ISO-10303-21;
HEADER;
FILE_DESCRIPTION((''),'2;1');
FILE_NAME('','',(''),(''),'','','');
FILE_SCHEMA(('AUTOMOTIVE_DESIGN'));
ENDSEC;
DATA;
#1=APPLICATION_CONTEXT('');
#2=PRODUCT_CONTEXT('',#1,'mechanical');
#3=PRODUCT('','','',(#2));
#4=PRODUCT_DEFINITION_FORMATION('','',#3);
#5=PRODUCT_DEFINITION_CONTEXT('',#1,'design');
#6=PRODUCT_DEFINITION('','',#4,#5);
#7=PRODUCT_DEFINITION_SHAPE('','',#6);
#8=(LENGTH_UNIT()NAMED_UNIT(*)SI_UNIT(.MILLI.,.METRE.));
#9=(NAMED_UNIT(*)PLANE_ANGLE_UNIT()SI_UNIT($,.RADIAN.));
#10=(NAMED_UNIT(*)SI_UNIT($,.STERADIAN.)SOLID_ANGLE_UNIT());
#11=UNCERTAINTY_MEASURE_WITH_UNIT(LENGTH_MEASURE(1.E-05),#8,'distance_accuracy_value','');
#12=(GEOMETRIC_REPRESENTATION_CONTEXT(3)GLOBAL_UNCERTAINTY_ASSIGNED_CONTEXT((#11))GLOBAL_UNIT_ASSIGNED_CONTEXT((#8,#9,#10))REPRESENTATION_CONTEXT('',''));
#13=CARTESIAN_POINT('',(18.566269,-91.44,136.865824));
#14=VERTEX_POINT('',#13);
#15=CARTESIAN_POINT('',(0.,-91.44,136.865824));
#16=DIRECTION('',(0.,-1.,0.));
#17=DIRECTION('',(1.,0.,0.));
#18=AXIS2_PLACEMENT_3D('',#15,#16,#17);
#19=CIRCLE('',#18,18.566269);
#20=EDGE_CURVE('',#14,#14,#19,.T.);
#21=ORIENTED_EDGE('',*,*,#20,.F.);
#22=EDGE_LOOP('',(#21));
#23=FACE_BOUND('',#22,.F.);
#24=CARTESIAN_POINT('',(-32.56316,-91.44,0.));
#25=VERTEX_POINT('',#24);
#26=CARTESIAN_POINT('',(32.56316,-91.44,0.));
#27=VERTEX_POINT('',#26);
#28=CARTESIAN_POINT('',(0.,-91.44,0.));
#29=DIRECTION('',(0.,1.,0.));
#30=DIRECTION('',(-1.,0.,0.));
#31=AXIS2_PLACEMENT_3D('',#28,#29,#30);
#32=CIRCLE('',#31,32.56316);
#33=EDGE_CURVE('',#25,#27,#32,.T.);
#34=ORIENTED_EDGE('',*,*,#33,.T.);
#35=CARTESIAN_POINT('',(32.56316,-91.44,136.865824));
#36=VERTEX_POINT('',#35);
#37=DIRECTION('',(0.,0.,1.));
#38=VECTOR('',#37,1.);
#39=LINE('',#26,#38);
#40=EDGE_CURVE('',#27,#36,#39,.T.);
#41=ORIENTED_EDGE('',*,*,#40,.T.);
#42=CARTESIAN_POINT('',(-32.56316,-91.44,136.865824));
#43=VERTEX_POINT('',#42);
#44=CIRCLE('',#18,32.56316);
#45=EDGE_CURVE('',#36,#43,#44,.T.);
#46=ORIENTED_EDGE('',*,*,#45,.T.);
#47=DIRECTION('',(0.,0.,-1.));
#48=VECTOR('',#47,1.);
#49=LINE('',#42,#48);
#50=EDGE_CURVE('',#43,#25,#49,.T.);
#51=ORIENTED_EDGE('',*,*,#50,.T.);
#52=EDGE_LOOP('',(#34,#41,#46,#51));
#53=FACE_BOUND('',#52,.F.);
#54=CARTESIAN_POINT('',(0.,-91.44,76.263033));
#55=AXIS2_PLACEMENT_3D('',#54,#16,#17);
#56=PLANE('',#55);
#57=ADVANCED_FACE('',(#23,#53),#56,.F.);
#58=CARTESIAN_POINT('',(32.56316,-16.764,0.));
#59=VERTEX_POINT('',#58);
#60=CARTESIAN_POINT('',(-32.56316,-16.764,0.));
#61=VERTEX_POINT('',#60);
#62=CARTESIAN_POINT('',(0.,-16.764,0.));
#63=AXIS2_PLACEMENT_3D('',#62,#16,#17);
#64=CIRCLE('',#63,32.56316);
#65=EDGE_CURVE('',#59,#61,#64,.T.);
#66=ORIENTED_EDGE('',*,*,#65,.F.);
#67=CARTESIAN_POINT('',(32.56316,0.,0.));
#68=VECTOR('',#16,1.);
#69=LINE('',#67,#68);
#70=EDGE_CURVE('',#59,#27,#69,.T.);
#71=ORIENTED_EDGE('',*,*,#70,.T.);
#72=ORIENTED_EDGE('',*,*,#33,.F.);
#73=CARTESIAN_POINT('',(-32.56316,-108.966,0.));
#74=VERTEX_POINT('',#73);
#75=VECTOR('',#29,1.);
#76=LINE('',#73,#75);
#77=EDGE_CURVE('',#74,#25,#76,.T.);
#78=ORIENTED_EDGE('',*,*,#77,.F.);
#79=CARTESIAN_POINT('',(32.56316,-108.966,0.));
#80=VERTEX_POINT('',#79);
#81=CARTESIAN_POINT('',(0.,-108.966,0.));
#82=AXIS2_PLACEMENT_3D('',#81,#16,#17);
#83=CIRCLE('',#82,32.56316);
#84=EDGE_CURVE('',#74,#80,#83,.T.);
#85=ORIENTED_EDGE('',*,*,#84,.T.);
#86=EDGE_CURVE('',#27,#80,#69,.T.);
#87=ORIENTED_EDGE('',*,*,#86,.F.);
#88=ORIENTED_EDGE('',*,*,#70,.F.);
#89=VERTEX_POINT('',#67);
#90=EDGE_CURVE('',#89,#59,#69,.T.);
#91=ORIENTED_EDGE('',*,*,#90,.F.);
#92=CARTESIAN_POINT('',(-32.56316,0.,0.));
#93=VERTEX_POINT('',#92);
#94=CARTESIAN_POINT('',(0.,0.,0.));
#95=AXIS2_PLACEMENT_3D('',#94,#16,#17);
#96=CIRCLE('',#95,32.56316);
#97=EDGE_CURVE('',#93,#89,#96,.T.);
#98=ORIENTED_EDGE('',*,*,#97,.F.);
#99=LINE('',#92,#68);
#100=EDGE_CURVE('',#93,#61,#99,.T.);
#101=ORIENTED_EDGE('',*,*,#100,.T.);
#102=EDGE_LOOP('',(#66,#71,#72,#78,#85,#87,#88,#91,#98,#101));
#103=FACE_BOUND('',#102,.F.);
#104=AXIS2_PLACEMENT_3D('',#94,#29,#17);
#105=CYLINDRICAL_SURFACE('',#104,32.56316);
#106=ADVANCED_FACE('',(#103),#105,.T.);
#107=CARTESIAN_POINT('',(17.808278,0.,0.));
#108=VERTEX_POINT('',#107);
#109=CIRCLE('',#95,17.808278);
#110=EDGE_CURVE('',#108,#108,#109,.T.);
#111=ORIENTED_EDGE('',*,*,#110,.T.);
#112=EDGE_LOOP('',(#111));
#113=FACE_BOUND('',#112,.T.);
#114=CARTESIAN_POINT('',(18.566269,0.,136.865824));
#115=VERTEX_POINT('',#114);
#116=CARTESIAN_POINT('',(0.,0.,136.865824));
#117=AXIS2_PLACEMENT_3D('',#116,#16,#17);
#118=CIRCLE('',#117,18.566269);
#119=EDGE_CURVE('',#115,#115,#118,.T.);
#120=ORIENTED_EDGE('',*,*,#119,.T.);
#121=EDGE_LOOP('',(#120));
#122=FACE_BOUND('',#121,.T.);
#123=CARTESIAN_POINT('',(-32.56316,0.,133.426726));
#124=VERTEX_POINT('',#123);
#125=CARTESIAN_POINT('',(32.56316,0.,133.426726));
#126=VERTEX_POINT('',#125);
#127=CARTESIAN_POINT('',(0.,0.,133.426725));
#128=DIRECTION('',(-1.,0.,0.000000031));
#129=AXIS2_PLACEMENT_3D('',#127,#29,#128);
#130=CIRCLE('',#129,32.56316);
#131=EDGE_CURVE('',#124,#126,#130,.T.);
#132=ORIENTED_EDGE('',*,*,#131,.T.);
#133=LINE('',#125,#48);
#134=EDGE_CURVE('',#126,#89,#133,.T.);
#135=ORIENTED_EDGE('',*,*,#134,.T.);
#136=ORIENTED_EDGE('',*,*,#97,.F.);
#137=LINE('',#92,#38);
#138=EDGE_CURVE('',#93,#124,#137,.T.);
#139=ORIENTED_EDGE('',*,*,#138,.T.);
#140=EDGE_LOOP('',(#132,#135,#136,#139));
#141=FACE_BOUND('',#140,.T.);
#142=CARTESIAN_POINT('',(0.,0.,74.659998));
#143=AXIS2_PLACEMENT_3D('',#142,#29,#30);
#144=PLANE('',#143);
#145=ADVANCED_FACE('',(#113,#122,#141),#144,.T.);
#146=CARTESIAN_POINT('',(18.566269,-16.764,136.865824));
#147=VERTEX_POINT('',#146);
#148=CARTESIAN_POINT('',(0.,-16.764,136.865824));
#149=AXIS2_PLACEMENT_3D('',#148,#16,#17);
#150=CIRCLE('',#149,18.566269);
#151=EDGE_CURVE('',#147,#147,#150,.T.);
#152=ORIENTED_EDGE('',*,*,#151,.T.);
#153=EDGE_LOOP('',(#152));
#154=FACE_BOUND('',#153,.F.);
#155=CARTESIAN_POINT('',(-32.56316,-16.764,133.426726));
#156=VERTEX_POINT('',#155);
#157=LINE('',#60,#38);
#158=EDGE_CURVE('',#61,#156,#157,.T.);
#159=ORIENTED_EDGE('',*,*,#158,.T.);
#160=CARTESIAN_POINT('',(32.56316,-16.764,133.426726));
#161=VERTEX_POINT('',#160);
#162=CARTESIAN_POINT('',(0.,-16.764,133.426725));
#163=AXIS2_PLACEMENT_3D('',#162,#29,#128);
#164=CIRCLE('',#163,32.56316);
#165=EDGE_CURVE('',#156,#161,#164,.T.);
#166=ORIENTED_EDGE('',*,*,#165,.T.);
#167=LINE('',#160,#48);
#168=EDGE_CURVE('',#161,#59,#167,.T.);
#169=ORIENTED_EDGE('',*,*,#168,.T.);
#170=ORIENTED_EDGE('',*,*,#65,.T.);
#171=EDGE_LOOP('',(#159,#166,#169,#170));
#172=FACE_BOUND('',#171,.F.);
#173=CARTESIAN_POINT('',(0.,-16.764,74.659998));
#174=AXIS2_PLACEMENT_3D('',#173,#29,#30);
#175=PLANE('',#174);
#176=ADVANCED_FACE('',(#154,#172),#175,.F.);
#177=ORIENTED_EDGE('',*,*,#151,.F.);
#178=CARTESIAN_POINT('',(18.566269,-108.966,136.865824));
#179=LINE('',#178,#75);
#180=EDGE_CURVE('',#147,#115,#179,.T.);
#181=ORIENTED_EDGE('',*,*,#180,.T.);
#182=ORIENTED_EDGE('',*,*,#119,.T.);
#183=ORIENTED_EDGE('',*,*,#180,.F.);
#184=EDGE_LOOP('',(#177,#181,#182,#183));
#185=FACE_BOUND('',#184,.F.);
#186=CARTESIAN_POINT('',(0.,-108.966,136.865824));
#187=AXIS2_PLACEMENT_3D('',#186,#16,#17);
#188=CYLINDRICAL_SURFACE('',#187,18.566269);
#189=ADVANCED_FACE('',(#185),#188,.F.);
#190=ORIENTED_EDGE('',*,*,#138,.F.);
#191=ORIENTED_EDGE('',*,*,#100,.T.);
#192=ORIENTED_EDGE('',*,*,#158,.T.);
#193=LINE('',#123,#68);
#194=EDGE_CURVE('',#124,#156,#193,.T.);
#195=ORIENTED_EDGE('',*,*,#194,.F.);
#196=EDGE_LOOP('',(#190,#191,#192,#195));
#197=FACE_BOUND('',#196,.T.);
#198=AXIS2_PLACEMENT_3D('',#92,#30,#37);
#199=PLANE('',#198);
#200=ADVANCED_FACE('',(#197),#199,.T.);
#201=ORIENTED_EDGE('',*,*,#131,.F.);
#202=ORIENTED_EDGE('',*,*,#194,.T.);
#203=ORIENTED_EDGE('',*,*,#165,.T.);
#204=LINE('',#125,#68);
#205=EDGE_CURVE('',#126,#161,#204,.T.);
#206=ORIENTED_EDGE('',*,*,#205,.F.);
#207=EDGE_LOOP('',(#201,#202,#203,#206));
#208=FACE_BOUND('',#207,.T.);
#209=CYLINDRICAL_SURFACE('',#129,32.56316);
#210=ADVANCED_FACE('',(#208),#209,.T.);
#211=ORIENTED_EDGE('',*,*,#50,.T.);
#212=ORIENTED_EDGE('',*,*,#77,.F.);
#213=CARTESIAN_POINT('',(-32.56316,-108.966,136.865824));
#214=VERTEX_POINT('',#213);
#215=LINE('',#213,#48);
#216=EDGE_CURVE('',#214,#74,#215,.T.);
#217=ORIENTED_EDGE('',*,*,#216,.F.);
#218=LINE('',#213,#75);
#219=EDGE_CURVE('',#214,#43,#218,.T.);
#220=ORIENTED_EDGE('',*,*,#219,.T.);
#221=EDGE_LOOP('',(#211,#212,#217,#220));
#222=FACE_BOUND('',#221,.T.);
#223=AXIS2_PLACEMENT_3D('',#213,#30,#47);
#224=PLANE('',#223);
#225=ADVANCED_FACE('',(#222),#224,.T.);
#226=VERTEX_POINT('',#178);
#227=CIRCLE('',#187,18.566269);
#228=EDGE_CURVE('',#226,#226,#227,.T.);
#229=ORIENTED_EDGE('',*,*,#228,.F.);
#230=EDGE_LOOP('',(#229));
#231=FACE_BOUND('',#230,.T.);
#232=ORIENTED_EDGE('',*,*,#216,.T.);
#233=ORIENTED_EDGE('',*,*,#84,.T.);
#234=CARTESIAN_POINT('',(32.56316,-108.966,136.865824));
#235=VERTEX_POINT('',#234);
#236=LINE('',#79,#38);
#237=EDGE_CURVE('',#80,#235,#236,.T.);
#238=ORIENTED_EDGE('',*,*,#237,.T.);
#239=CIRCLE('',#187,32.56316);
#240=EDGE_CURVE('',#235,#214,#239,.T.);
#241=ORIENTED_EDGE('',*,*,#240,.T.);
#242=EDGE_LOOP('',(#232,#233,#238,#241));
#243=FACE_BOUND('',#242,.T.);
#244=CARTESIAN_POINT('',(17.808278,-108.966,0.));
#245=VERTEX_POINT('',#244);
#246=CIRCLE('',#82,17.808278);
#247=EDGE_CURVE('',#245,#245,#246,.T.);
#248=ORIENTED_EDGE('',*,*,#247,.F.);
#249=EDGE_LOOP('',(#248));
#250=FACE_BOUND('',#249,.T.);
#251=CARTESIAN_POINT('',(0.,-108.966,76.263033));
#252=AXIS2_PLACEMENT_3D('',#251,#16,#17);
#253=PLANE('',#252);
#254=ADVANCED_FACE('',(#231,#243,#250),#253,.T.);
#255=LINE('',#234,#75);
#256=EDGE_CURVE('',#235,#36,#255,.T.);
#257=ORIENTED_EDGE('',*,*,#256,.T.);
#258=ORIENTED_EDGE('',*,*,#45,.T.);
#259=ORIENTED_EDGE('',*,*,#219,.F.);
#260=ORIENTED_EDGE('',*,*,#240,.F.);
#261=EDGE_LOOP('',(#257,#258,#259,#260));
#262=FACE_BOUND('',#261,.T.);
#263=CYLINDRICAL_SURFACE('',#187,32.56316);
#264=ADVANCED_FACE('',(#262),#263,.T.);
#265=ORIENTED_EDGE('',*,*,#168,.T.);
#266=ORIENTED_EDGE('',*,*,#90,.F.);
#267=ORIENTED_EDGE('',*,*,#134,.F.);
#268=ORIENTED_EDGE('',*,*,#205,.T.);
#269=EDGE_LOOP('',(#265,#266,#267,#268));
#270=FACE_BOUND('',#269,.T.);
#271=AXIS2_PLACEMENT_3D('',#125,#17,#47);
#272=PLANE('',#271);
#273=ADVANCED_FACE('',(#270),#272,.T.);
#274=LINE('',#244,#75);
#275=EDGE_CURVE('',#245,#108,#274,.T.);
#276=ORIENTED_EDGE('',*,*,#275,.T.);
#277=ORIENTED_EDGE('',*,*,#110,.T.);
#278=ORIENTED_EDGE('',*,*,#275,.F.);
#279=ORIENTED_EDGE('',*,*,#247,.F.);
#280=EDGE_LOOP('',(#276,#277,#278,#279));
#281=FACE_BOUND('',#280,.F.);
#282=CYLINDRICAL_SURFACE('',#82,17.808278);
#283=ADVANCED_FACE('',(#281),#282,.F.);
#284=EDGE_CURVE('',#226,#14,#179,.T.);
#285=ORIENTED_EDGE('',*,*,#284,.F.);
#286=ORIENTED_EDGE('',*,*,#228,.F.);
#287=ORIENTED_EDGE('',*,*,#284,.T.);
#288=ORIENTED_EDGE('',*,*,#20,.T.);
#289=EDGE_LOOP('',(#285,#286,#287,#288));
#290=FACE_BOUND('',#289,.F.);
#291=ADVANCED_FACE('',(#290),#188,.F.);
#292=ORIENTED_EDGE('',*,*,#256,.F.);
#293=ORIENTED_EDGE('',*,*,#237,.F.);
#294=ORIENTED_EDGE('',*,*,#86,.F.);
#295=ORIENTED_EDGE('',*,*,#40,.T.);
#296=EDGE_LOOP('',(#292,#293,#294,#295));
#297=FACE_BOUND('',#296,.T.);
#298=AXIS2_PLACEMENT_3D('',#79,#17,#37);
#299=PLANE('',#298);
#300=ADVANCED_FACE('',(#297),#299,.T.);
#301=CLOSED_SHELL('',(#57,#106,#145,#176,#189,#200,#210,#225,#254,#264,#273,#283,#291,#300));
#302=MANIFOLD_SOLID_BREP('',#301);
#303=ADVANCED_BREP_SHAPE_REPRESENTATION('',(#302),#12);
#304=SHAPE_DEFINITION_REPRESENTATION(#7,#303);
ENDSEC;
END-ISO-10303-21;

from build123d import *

# Parameters (mm, degrees)
F0_R     = 32.56316
F1_DEPTH = 108.966
F3_DEPTH = 16.764
F5_DEPTH = 17.526
F6_R     = 18.566269
F7_DEPTH = 188.214
F6_R_2   = 17.808278
F8_DEPTH = 219.202


with BuildPart() as f1:
    # F0 (on Front) → F1 (new body)
    with BuildSketch(Plane.XZ):
        Circle(F0_R)
    extrude(amount=F1_DEPTH)

    # F2 (on face) → F3 (join)
    with BuildSketch(Plane(origin=(0, 0, 0), x_dir=(-1, 0, 0), z_dir=(0, 1, 0))):
        with BuildLine():
            ThreePointArc((-32.56316, 0), (0, 32.56316), (32.56316, 0))
            Line((32.56316, 0), (32.56316, 133.426726))
            ThreePointArc((32.56316, 133.426726), (0, 165.989885), (-32.56316, 133.426726))
            Line((-32.56316, 133.426726), (-32.56316, 0))
        make_face()
    extrude(amount=-F3_DEPTH)

    # F4 (on face) → F5 (join)
    with BuildSketch(Plane.XZ.offset(108.966)):
        with BuildLine():
            Line((-32.56316, 136.865824), (-32.56316, 0))
            ThreePointArc((-32.56316, 0), (0, 32.56316), (32.56316, 0))
            Line((32.56316, 0), (32.56316, 136.865824))
            ThreePointArc((32.56316, 136.865824), (0, 169.428984), (-32.56316, 136.865824))
        make_face()
    extrude(amount=-F5_DEPTH)

    # F6 (on face) → F7 (cut)
    with BuildSketch(Plane.XZ.offset(108.966)):
        with Locations((0, 136.865824)):
            Circle(F6_R)
    extrude(amount=-F7_DEPTH, mode=Mode.SUBTRACT)

    # F6 (on face) → F8 (cut)
    with BuildSketch(Plane.XZ.offset(108.966)):
        Circle(F6_R_2)
    extrude(amount=-F8_DEPTH, mode=Mode.SUBTRACT)


solid = f1.part
